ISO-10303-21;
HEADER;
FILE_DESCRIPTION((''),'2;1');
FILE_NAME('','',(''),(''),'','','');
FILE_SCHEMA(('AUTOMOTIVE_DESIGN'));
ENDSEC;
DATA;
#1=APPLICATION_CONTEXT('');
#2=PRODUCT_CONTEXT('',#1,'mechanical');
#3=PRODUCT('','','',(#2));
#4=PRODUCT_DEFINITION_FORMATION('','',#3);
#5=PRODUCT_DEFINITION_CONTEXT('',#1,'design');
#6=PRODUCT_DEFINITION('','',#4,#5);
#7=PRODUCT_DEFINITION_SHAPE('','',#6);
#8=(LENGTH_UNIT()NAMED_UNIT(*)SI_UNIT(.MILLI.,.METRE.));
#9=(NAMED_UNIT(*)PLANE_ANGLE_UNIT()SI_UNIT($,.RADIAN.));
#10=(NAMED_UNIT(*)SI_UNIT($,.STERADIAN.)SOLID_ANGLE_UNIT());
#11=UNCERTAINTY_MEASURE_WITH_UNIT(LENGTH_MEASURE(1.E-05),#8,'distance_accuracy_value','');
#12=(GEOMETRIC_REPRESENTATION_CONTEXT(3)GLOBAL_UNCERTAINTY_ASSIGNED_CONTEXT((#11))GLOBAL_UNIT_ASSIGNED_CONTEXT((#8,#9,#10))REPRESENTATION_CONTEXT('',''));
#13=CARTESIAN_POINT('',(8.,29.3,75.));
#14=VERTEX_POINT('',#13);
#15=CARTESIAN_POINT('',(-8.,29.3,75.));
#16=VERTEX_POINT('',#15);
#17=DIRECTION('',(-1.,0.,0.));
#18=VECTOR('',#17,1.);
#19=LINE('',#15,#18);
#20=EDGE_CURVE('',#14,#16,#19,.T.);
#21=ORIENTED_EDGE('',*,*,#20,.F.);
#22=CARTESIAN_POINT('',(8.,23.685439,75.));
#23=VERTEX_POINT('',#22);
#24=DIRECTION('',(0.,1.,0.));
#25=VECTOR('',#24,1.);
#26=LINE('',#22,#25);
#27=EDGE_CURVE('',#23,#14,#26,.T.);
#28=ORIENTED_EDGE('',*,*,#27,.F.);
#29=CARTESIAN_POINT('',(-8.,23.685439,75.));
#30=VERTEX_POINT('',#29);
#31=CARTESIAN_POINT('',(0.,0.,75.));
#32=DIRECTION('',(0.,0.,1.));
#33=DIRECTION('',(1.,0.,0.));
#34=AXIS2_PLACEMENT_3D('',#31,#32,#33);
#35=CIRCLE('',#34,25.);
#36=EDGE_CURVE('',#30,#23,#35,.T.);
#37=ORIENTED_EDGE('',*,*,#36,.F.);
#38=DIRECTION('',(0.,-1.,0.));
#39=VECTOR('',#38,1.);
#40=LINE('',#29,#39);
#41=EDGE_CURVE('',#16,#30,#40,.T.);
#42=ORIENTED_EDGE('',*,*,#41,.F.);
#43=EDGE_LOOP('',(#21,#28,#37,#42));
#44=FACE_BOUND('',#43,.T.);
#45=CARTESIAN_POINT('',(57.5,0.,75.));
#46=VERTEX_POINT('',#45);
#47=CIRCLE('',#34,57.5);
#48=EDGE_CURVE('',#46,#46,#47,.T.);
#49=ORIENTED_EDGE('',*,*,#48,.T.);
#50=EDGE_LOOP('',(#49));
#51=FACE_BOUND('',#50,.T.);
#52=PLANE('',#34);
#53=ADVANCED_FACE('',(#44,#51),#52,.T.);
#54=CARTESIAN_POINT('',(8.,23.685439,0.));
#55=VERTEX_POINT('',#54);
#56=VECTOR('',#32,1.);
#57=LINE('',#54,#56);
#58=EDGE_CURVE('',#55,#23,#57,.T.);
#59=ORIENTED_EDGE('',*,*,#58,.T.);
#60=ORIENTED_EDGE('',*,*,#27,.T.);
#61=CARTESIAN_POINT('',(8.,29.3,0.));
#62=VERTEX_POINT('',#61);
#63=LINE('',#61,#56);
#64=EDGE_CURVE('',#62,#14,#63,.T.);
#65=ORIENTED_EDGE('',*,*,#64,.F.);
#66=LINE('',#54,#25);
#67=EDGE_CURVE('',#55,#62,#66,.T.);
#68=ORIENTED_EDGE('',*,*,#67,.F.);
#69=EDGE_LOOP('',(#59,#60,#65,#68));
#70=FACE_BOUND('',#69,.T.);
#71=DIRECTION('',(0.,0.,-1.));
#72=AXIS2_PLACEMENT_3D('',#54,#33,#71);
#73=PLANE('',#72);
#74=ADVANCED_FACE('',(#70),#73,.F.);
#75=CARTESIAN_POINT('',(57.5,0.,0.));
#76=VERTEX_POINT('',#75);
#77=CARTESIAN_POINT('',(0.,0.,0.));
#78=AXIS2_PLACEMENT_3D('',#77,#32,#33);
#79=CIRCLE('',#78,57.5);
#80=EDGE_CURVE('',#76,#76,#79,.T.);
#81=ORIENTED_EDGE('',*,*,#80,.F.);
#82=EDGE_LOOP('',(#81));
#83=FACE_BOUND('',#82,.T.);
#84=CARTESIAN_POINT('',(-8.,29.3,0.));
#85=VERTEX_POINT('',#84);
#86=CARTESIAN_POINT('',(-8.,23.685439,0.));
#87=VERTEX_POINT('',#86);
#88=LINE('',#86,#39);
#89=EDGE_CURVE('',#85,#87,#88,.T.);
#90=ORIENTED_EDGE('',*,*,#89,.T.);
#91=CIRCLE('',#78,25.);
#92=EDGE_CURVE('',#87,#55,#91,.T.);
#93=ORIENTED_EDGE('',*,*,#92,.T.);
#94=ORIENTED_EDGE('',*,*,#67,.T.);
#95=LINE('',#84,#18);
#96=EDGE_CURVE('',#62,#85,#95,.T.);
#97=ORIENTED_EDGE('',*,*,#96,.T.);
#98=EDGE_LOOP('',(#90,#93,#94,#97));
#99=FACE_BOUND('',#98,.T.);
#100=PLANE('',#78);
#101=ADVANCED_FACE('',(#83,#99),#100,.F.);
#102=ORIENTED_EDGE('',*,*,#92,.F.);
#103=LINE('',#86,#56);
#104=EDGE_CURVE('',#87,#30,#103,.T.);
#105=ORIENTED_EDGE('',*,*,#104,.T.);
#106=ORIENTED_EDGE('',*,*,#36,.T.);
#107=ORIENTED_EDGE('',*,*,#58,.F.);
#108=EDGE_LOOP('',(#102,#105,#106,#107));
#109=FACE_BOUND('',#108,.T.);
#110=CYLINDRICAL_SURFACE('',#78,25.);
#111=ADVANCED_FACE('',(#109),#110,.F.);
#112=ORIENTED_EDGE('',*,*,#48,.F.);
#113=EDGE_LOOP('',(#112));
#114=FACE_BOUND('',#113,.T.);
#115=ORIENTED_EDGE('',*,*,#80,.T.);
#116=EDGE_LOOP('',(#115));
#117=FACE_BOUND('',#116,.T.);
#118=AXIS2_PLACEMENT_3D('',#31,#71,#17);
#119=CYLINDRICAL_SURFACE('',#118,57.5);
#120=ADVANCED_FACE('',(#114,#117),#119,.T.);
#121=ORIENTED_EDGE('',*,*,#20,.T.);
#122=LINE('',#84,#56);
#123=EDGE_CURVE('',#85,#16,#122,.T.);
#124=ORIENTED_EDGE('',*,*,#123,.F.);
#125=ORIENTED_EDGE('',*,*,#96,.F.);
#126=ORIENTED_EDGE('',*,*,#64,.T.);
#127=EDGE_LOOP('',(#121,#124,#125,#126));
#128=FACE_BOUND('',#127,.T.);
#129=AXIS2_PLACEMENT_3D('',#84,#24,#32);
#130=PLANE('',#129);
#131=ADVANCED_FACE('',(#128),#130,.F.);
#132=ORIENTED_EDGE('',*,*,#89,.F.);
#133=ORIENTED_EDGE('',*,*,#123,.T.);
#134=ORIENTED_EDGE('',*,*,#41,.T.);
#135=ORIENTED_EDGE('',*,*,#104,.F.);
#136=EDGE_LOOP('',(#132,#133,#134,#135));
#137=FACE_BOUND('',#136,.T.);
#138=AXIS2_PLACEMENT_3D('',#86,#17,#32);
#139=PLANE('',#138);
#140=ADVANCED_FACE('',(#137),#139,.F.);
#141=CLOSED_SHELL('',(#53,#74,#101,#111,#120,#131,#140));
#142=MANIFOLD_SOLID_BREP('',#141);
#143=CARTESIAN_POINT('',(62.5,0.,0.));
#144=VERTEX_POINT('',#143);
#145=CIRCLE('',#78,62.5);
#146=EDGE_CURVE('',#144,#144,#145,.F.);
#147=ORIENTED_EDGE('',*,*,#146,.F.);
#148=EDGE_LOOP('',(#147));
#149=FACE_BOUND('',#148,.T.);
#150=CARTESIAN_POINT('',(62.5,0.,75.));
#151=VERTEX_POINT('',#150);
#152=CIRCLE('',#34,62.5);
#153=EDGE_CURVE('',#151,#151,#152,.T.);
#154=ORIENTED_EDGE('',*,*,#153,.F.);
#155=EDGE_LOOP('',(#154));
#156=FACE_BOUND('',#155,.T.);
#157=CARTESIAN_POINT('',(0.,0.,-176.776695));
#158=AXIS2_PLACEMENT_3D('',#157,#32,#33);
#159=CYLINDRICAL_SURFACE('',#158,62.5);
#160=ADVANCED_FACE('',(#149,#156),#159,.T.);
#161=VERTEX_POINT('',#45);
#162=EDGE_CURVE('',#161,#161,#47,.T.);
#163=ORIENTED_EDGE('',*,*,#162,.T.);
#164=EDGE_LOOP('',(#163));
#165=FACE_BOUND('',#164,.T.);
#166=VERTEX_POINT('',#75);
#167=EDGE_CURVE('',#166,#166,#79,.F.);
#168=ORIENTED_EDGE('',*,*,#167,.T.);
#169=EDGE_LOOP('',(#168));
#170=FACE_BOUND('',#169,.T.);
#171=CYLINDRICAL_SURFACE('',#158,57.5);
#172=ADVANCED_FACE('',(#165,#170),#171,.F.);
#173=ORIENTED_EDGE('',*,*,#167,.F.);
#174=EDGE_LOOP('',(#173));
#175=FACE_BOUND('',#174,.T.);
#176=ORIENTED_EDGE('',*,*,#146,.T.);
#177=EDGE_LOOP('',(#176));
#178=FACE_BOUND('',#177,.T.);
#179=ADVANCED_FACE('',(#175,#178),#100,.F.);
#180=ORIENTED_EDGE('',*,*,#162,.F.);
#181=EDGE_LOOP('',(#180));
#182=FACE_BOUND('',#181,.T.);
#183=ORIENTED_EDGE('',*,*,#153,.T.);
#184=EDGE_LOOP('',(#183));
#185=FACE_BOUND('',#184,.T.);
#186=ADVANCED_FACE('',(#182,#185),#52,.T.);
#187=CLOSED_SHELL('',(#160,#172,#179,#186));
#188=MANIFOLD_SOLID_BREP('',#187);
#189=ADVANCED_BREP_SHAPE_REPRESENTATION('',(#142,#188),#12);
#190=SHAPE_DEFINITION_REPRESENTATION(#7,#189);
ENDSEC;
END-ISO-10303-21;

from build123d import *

# Parameters (mm, degrees)
SKETCH1_R           = 57.5
BOSS_EXTRUDE1_DEPTH = 75
SKETCH2_R           = 25
CUT_EXTRUDE1_DEPTH  = 111.623234449
CUT_EXTRUDE2_DEPTH  = 111.623234449
SKETCH4_R           = 62.5
SKETCH4_R_2         = 57.5
BOSS_EXTRUDE3_DEPTH = 75


with BuildPart() as part:
    # Sketch1 → Boss-Extrude1 (new body)
    with BuildSketch(Plane.XY):
        Circle(SKETCH1_R)
    extrude(amount=BOSS_EXTRUDE1_DEPTH)

    # Sketch2 → Cut-Extrude1 (cut, through all)
    with BuildSketch(Plane.XY.offset(75)):
        Circle(SKETCH2_R)
    extrude(amount=-CUT_EXTRUDE1_DEPTH, mode=Mode.SUBTRACT)

    # Sketch3 → Cut-Extrude2 (cut, through all)
    with BuildSketch(Plane.XY.offset(75)):
        with BuildLine():
            Line((-8, 23.685438565), (-8, 29.3))
            Line((-8, 29.3), (8, 29.3))
            Line((8, 29.3), (8, 23.685438565))
            ThreePointArc((8, 23.685438565), (0, 25), (-8, 23.685438565))
        make_face()
    extrude(amount=-CUT_EXTRUDE2_DEPTH, mode=Mode.SUBTRACT)


with BuildPart() as body_2:
    # Sketch4 → Boss-Extrude3 (new body)
    with BuildSketch(Plane.XY.offset(75)):
        Circle(SKETCH4_R)
        Circle(SKETCH4_R_2, mode=Mode.SUBTRACT)
    extrude(amount=-BOSS_EXTRUDE3_DEPTH)


solid = Compound([part.part, body_2.part])
